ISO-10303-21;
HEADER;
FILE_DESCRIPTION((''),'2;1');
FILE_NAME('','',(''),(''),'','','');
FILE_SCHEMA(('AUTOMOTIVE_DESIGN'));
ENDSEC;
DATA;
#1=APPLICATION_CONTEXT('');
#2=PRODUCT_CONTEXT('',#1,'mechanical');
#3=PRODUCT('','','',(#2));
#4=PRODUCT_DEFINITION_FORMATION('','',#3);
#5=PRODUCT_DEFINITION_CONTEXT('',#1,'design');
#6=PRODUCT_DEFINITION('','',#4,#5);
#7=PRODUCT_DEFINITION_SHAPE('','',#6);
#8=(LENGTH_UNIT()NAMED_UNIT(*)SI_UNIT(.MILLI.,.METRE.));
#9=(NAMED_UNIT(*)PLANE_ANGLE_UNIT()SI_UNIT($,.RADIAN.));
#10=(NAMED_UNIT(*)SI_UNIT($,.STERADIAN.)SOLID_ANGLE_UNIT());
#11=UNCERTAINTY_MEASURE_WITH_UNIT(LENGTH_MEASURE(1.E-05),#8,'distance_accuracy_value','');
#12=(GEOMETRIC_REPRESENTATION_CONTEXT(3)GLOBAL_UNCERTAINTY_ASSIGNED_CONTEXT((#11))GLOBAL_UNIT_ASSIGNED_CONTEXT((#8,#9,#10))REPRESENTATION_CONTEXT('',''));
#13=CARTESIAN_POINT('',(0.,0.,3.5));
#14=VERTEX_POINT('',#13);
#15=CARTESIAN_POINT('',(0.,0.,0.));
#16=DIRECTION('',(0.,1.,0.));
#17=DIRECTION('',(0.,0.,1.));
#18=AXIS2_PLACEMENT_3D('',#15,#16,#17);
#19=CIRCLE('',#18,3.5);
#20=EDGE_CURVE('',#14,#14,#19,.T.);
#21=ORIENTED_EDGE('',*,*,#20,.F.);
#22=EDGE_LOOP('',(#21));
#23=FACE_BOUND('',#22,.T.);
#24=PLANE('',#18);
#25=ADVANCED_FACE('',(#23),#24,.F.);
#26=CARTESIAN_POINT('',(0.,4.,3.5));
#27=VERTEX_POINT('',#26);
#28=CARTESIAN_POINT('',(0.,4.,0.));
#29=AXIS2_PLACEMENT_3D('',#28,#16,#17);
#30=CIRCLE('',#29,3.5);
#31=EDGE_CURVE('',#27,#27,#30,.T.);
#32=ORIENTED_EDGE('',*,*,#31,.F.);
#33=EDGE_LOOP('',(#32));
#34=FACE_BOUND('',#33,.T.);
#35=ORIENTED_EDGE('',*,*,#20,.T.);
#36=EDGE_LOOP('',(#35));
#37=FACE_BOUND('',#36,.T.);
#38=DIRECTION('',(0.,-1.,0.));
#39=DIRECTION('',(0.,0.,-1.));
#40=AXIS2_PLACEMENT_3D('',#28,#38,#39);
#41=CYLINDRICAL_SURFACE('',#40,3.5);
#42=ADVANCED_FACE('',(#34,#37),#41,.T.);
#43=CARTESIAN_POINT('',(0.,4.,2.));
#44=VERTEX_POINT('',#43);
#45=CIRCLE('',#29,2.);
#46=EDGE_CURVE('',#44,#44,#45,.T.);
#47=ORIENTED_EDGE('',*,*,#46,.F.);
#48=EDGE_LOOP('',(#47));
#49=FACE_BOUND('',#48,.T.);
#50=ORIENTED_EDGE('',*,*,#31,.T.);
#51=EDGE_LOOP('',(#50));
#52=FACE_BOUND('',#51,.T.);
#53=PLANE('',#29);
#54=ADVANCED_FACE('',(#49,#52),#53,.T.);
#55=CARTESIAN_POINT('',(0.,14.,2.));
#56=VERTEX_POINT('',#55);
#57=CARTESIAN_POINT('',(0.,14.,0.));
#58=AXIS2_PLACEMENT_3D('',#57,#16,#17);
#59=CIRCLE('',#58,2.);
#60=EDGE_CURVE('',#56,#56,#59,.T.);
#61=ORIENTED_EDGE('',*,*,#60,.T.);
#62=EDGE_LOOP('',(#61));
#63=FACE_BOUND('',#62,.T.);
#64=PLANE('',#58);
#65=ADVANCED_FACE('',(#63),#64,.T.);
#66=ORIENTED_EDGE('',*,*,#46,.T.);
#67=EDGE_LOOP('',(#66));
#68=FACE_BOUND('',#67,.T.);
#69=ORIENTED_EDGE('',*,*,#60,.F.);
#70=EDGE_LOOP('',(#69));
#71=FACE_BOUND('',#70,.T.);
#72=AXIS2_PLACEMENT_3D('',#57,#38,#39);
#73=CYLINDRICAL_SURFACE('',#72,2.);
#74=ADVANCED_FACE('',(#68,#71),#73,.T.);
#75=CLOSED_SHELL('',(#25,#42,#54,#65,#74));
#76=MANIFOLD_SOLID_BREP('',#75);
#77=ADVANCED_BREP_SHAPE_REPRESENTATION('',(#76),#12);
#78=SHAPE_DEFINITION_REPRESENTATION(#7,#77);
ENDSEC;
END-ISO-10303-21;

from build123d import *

# Parameters (mm, degrees)
SKETCH1_R           = 3.5
BOSS_EXTRUDE1_DEPTH = 4
SKETCH2_R           = 2
BOSS_EXTRUDE2_DEPTH = 10


with BuildPart() as part:
    # Sketch1 → Boss-Extrude1 (new body)
    with BuildSketch(Plane(origin=(0, 0, 0), x_dir=(1, 0, 0), z_dir=(0, 1, 0))):
        Circle(SKETCH1_R)
    extrude(amount=BOSS_EXTRUDE1_DEPTH)

    # Sketch2 → Boss-Extrude2 (add)
    with BuildSketch(Plane(origin=(0, 4, 0), x_dir=(1, 0, 0), z_dir=(0, 1, 0))):
        Circle(SKETCH2_R)
    extrude(amount=BOSS_EXTRUDE2_DEPTH)


solid = part.part
